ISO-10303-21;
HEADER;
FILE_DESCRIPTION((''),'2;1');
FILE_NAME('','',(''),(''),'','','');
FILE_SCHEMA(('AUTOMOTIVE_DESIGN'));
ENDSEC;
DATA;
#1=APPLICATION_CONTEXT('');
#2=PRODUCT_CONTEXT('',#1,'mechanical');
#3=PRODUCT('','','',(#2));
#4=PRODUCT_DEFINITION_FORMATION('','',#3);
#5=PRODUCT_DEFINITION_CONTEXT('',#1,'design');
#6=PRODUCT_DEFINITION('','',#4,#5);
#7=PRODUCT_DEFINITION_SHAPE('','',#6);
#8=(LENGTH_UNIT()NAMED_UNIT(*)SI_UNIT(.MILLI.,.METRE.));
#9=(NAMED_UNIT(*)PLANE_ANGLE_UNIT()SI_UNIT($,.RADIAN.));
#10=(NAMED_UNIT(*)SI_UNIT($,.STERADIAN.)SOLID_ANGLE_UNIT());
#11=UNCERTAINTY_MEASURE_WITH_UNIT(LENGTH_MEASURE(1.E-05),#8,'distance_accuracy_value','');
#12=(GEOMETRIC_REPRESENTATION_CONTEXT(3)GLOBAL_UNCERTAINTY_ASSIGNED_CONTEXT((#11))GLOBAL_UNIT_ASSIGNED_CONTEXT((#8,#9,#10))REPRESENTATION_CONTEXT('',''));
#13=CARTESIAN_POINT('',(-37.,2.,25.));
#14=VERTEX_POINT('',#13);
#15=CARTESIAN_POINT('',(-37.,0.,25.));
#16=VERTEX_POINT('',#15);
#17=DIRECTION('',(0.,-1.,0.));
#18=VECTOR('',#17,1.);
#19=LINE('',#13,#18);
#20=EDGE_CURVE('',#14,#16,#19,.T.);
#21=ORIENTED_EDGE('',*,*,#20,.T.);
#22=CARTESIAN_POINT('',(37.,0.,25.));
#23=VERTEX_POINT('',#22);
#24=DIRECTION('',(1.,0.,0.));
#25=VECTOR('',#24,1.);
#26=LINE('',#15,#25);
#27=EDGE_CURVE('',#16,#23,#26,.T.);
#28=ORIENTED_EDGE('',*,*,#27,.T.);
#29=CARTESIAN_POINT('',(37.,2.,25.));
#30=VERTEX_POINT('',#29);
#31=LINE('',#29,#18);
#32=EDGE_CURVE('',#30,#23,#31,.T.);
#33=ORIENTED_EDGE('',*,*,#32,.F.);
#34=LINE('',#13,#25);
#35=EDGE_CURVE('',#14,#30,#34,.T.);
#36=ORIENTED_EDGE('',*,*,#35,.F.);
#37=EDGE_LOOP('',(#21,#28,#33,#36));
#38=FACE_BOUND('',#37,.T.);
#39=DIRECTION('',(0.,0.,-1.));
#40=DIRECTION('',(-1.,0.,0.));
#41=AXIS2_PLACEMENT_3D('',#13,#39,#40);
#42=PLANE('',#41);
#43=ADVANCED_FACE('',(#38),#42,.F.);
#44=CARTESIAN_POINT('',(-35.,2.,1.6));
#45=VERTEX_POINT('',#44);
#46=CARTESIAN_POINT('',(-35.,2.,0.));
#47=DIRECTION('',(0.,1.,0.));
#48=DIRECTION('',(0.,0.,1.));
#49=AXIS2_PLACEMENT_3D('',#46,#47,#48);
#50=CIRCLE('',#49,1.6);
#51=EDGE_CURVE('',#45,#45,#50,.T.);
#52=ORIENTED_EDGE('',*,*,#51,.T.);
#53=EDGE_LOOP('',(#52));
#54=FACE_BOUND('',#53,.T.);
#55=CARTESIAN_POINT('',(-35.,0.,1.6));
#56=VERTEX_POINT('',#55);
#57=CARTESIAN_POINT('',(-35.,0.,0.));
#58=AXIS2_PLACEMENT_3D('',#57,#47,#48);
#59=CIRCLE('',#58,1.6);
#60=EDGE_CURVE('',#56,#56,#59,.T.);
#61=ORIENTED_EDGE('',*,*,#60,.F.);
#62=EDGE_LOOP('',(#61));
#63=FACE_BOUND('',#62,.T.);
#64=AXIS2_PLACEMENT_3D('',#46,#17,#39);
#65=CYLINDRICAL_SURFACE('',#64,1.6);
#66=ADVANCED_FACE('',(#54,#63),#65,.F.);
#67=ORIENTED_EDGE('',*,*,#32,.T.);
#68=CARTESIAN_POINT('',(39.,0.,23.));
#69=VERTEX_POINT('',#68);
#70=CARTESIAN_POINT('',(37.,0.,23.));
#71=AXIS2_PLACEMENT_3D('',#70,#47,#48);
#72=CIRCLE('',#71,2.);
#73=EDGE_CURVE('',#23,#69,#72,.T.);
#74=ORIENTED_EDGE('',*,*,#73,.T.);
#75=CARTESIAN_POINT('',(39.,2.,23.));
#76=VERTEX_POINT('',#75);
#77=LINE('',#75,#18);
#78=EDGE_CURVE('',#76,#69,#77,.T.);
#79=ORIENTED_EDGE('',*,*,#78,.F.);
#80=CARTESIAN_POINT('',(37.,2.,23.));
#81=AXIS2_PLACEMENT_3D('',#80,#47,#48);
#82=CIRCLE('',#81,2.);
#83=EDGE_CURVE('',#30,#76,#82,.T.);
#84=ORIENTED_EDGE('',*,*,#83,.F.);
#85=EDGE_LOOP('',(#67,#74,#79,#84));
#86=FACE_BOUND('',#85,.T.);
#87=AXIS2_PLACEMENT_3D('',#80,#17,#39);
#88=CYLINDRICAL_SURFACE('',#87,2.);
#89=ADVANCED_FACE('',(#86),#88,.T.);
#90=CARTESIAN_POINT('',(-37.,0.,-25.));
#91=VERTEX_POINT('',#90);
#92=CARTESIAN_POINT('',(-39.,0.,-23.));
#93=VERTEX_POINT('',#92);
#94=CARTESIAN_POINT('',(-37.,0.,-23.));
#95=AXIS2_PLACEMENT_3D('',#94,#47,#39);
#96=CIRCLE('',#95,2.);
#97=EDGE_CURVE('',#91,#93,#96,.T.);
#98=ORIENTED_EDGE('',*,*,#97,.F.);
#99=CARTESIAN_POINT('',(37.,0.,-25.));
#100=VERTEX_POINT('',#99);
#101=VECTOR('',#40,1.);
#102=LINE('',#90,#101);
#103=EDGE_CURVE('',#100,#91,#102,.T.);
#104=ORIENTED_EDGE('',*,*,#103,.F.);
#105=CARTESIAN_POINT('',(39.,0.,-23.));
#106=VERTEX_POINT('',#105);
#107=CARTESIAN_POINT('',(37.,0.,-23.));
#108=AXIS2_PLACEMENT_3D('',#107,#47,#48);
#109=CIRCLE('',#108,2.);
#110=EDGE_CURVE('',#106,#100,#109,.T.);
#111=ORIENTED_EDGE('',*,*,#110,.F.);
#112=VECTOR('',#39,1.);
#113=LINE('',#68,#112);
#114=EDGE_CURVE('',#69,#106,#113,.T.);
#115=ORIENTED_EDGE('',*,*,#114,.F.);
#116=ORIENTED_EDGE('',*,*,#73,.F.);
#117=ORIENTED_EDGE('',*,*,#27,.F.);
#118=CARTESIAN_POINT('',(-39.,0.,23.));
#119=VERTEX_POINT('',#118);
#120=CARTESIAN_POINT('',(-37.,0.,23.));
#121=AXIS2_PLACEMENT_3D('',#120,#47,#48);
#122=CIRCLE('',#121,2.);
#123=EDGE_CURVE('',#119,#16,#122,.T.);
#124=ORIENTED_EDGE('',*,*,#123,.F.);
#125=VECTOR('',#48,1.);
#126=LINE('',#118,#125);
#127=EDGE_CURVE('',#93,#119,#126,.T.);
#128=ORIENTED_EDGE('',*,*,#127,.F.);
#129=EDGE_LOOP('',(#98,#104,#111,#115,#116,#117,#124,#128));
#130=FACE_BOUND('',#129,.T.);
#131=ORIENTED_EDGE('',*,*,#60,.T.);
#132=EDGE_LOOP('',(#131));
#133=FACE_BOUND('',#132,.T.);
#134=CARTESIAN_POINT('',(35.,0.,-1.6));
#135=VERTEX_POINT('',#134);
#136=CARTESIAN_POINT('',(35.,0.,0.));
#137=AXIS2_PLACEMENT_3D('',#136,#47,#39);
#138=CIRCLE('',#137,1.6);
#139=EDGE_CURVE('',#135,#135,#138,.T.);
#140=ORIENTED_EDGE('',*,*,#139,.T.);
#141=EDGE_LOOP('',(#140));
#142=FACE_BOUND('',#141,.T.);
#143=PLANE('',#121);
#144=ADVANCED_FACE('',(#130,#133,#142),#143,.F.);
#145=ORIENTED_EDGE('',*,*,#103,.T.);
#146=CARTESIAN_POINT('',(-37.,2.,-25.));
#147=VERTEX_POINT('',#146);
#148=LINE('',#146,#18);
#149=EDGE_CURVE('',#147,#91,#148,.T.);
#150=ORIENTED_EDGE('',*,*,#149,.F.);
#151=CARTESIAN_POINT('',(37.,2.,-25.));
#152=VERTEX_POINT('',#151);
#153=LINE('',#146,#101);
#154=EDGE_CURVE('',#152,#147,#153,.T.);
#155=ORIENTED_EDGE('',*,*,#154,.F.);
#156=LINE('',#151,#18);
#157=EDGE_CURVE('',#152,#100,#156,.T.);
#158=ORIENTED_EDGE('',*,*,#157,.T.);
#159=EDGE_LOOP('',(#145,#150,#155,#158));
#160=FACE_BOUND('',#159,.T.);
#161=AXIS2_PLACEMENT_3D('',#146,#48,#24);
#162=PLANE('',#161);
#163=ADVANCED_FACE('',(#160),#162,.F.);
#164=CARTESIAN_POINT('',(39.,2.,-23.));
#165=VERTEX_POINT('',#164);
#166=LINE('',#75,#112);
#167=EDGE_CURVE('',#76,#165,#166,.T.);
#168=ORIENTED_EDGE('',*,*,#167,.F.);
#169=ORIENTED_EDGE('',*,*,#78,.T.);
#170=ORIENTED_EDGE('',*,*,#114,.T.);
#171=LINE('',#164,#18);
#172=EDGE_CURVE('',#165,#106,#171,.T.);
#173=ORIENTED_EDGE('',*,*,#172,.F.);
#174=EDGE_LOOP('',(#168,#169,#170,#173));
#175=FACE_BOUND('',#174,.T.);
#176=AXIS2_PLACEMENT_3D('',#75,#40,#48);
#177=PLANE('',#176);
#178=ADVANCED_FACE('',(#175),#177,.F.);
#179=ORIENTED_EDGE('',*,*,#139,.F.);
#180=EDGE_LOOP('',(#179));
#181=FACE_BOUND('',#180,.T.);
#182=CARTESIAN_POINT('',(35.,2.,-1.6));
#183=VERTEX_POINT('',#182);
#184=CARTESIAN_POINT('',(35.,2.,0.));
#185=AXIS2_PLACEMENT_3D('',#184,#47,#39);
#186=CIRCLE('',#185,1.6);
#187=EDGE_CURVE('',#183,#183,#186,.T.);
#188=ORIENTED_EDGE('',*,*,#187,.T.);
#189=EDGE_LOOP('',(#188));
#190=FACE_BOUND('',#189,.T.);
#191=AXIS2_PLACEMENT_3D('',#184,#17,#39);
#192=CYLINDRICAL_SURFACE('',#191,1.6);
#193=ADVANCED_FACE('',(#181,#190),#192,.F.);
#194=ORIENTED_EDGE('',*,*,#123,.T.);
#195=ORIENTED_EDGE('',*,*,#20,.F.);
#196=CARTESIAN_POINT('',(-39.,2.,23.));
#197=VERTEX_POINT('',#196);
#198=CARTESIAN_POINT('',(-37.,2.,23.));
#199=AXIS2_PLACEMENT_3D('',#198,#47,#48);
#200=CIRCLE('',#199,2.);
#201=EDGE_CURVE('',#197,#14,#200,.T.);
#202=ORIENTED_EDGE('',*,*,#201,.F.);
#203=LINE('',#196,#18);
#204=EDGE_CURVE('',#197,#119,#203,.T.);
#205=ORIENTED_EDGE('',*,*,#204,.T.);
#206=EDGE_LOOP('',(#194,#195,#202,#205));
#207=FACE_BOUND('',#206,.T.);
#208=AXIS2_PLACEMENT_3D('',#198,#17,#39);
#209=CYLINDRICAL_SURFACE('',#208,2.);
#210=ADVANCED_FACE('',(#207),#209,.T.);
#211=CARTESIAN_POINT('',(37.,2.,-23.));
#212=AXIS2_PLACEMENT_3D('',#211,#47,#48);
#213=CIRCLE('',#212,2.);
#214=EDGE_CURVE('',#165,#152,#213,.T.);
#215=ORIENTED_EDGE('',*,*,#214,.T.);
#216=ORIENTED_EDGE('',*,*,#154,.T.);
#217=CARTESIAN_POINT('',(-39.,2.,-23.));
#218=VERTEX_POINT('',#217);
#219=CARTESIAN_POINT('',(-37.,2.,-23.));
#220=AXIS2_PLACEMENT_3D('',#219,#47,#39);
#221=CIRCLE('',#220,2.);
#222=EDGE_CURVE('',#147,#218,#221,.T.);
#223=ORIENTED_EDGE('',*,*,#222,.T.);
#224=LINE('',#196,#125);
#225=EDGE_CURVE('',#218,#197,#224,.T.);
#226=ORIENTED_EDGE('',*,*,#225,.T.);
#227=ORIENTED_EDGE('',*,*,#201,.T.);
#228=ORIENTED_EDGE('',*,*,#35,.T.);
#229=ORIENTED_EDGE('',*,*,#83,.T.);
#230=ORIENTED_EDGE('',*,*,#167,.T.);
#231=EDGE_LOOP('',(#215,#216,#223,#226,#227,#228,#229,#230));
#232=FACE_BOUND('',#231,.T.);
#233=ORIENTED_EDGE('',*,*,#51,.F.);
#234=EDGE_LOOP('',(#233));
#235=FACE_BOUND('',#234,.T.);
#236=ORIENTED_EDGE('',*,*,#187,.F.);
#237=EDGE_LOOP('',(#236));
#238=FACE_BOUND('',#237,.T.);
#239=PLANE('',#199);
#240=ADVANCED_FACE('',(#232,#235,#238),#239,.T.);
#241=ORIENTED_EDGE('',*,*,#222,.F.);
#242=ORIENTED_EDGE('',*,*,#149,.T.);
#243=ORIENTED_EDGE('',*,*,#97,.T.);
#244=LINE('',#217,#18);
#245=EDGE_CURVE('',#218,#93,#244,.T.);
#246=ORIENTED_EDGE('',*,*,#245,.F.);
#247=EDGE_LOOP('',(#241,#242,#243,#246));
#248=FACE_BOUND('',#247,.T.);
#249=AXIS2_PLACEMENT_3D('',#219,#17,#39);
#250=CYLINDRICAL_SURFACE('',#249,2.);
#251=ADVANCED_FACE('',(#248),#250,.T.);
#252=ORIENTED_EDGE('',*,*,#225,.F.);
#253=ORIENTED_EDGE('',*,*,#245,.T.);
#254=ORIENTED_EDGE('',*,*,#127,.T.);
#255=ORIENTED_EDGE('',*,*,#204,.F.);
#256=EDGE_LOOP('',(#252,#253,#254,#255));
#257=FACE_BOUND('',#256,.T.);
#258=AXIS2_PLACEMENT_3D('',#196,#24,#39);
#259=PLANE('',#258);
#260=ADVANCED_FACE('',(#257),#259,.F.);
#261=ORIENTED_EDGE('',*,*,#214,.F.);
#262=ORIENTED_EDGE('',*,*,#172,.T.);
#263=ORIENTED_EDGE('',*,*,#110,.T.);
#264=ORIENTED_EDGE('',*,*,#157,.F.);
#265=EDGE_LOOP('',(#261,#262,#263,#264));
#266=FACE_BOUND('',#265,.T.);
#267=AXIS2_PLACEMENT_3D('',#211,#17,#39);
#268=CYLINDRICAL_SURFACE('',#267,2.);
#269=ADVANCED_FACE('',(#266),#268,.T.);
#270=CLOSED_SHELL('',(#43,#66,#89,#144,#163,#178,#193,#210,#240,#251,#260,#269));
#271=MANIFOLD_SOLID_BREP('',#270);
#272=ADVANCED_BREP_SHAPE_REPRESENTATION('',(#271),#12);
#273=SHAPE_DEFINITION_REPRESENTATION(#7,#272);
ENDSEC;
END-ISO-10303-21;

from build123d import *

# Parameters (mm, degrees)
SKETCH_1_R      = 1.6
EXTRUDE_1_DEPTH = 2


with BuildPart() as part:
    # 草图1 → 凸台-拉伸1 (new body)
    with BuildSketch(Plane(origin=(0, 0, 0), x_dir=(1, 0, 0), z_dir=(0, 1, 0))):
        with BuildLine():
            Line((-37, -25), (37, -25))
            ThreePointArc((37, -25), (38.414213562, -24.414213562), (39, -23))
            Line((39, -23), (39, 23))
            ThreePointArc((39, 23), (38.414213562, 24.414213562), (37, 25))
            Line((37, 25), (-37, 25))
            ThreePointArc((-37, 25), (-38.414213562, 24.414213562), (-39, 23))
            Line((-39, 23), (-39, -23))
            ThreePointArc((-39, -23), (-38.414213562, -24.414213562), (-37, -25))
        make_face()
        with Locations(Location((-35, 0, 0), (0, 0, 270))):
            Circle(SKETCH_1_R, mode=Mode.SUBTRACT)
        with Locations(Location((35, 0, 0), (0, 0, 90))):
            Circle(SKETCH_1_R, mode=Mode.SUBTRACT)
    extrude(amount=EXTRUDE_1_DEPTH)


solid = part.part
